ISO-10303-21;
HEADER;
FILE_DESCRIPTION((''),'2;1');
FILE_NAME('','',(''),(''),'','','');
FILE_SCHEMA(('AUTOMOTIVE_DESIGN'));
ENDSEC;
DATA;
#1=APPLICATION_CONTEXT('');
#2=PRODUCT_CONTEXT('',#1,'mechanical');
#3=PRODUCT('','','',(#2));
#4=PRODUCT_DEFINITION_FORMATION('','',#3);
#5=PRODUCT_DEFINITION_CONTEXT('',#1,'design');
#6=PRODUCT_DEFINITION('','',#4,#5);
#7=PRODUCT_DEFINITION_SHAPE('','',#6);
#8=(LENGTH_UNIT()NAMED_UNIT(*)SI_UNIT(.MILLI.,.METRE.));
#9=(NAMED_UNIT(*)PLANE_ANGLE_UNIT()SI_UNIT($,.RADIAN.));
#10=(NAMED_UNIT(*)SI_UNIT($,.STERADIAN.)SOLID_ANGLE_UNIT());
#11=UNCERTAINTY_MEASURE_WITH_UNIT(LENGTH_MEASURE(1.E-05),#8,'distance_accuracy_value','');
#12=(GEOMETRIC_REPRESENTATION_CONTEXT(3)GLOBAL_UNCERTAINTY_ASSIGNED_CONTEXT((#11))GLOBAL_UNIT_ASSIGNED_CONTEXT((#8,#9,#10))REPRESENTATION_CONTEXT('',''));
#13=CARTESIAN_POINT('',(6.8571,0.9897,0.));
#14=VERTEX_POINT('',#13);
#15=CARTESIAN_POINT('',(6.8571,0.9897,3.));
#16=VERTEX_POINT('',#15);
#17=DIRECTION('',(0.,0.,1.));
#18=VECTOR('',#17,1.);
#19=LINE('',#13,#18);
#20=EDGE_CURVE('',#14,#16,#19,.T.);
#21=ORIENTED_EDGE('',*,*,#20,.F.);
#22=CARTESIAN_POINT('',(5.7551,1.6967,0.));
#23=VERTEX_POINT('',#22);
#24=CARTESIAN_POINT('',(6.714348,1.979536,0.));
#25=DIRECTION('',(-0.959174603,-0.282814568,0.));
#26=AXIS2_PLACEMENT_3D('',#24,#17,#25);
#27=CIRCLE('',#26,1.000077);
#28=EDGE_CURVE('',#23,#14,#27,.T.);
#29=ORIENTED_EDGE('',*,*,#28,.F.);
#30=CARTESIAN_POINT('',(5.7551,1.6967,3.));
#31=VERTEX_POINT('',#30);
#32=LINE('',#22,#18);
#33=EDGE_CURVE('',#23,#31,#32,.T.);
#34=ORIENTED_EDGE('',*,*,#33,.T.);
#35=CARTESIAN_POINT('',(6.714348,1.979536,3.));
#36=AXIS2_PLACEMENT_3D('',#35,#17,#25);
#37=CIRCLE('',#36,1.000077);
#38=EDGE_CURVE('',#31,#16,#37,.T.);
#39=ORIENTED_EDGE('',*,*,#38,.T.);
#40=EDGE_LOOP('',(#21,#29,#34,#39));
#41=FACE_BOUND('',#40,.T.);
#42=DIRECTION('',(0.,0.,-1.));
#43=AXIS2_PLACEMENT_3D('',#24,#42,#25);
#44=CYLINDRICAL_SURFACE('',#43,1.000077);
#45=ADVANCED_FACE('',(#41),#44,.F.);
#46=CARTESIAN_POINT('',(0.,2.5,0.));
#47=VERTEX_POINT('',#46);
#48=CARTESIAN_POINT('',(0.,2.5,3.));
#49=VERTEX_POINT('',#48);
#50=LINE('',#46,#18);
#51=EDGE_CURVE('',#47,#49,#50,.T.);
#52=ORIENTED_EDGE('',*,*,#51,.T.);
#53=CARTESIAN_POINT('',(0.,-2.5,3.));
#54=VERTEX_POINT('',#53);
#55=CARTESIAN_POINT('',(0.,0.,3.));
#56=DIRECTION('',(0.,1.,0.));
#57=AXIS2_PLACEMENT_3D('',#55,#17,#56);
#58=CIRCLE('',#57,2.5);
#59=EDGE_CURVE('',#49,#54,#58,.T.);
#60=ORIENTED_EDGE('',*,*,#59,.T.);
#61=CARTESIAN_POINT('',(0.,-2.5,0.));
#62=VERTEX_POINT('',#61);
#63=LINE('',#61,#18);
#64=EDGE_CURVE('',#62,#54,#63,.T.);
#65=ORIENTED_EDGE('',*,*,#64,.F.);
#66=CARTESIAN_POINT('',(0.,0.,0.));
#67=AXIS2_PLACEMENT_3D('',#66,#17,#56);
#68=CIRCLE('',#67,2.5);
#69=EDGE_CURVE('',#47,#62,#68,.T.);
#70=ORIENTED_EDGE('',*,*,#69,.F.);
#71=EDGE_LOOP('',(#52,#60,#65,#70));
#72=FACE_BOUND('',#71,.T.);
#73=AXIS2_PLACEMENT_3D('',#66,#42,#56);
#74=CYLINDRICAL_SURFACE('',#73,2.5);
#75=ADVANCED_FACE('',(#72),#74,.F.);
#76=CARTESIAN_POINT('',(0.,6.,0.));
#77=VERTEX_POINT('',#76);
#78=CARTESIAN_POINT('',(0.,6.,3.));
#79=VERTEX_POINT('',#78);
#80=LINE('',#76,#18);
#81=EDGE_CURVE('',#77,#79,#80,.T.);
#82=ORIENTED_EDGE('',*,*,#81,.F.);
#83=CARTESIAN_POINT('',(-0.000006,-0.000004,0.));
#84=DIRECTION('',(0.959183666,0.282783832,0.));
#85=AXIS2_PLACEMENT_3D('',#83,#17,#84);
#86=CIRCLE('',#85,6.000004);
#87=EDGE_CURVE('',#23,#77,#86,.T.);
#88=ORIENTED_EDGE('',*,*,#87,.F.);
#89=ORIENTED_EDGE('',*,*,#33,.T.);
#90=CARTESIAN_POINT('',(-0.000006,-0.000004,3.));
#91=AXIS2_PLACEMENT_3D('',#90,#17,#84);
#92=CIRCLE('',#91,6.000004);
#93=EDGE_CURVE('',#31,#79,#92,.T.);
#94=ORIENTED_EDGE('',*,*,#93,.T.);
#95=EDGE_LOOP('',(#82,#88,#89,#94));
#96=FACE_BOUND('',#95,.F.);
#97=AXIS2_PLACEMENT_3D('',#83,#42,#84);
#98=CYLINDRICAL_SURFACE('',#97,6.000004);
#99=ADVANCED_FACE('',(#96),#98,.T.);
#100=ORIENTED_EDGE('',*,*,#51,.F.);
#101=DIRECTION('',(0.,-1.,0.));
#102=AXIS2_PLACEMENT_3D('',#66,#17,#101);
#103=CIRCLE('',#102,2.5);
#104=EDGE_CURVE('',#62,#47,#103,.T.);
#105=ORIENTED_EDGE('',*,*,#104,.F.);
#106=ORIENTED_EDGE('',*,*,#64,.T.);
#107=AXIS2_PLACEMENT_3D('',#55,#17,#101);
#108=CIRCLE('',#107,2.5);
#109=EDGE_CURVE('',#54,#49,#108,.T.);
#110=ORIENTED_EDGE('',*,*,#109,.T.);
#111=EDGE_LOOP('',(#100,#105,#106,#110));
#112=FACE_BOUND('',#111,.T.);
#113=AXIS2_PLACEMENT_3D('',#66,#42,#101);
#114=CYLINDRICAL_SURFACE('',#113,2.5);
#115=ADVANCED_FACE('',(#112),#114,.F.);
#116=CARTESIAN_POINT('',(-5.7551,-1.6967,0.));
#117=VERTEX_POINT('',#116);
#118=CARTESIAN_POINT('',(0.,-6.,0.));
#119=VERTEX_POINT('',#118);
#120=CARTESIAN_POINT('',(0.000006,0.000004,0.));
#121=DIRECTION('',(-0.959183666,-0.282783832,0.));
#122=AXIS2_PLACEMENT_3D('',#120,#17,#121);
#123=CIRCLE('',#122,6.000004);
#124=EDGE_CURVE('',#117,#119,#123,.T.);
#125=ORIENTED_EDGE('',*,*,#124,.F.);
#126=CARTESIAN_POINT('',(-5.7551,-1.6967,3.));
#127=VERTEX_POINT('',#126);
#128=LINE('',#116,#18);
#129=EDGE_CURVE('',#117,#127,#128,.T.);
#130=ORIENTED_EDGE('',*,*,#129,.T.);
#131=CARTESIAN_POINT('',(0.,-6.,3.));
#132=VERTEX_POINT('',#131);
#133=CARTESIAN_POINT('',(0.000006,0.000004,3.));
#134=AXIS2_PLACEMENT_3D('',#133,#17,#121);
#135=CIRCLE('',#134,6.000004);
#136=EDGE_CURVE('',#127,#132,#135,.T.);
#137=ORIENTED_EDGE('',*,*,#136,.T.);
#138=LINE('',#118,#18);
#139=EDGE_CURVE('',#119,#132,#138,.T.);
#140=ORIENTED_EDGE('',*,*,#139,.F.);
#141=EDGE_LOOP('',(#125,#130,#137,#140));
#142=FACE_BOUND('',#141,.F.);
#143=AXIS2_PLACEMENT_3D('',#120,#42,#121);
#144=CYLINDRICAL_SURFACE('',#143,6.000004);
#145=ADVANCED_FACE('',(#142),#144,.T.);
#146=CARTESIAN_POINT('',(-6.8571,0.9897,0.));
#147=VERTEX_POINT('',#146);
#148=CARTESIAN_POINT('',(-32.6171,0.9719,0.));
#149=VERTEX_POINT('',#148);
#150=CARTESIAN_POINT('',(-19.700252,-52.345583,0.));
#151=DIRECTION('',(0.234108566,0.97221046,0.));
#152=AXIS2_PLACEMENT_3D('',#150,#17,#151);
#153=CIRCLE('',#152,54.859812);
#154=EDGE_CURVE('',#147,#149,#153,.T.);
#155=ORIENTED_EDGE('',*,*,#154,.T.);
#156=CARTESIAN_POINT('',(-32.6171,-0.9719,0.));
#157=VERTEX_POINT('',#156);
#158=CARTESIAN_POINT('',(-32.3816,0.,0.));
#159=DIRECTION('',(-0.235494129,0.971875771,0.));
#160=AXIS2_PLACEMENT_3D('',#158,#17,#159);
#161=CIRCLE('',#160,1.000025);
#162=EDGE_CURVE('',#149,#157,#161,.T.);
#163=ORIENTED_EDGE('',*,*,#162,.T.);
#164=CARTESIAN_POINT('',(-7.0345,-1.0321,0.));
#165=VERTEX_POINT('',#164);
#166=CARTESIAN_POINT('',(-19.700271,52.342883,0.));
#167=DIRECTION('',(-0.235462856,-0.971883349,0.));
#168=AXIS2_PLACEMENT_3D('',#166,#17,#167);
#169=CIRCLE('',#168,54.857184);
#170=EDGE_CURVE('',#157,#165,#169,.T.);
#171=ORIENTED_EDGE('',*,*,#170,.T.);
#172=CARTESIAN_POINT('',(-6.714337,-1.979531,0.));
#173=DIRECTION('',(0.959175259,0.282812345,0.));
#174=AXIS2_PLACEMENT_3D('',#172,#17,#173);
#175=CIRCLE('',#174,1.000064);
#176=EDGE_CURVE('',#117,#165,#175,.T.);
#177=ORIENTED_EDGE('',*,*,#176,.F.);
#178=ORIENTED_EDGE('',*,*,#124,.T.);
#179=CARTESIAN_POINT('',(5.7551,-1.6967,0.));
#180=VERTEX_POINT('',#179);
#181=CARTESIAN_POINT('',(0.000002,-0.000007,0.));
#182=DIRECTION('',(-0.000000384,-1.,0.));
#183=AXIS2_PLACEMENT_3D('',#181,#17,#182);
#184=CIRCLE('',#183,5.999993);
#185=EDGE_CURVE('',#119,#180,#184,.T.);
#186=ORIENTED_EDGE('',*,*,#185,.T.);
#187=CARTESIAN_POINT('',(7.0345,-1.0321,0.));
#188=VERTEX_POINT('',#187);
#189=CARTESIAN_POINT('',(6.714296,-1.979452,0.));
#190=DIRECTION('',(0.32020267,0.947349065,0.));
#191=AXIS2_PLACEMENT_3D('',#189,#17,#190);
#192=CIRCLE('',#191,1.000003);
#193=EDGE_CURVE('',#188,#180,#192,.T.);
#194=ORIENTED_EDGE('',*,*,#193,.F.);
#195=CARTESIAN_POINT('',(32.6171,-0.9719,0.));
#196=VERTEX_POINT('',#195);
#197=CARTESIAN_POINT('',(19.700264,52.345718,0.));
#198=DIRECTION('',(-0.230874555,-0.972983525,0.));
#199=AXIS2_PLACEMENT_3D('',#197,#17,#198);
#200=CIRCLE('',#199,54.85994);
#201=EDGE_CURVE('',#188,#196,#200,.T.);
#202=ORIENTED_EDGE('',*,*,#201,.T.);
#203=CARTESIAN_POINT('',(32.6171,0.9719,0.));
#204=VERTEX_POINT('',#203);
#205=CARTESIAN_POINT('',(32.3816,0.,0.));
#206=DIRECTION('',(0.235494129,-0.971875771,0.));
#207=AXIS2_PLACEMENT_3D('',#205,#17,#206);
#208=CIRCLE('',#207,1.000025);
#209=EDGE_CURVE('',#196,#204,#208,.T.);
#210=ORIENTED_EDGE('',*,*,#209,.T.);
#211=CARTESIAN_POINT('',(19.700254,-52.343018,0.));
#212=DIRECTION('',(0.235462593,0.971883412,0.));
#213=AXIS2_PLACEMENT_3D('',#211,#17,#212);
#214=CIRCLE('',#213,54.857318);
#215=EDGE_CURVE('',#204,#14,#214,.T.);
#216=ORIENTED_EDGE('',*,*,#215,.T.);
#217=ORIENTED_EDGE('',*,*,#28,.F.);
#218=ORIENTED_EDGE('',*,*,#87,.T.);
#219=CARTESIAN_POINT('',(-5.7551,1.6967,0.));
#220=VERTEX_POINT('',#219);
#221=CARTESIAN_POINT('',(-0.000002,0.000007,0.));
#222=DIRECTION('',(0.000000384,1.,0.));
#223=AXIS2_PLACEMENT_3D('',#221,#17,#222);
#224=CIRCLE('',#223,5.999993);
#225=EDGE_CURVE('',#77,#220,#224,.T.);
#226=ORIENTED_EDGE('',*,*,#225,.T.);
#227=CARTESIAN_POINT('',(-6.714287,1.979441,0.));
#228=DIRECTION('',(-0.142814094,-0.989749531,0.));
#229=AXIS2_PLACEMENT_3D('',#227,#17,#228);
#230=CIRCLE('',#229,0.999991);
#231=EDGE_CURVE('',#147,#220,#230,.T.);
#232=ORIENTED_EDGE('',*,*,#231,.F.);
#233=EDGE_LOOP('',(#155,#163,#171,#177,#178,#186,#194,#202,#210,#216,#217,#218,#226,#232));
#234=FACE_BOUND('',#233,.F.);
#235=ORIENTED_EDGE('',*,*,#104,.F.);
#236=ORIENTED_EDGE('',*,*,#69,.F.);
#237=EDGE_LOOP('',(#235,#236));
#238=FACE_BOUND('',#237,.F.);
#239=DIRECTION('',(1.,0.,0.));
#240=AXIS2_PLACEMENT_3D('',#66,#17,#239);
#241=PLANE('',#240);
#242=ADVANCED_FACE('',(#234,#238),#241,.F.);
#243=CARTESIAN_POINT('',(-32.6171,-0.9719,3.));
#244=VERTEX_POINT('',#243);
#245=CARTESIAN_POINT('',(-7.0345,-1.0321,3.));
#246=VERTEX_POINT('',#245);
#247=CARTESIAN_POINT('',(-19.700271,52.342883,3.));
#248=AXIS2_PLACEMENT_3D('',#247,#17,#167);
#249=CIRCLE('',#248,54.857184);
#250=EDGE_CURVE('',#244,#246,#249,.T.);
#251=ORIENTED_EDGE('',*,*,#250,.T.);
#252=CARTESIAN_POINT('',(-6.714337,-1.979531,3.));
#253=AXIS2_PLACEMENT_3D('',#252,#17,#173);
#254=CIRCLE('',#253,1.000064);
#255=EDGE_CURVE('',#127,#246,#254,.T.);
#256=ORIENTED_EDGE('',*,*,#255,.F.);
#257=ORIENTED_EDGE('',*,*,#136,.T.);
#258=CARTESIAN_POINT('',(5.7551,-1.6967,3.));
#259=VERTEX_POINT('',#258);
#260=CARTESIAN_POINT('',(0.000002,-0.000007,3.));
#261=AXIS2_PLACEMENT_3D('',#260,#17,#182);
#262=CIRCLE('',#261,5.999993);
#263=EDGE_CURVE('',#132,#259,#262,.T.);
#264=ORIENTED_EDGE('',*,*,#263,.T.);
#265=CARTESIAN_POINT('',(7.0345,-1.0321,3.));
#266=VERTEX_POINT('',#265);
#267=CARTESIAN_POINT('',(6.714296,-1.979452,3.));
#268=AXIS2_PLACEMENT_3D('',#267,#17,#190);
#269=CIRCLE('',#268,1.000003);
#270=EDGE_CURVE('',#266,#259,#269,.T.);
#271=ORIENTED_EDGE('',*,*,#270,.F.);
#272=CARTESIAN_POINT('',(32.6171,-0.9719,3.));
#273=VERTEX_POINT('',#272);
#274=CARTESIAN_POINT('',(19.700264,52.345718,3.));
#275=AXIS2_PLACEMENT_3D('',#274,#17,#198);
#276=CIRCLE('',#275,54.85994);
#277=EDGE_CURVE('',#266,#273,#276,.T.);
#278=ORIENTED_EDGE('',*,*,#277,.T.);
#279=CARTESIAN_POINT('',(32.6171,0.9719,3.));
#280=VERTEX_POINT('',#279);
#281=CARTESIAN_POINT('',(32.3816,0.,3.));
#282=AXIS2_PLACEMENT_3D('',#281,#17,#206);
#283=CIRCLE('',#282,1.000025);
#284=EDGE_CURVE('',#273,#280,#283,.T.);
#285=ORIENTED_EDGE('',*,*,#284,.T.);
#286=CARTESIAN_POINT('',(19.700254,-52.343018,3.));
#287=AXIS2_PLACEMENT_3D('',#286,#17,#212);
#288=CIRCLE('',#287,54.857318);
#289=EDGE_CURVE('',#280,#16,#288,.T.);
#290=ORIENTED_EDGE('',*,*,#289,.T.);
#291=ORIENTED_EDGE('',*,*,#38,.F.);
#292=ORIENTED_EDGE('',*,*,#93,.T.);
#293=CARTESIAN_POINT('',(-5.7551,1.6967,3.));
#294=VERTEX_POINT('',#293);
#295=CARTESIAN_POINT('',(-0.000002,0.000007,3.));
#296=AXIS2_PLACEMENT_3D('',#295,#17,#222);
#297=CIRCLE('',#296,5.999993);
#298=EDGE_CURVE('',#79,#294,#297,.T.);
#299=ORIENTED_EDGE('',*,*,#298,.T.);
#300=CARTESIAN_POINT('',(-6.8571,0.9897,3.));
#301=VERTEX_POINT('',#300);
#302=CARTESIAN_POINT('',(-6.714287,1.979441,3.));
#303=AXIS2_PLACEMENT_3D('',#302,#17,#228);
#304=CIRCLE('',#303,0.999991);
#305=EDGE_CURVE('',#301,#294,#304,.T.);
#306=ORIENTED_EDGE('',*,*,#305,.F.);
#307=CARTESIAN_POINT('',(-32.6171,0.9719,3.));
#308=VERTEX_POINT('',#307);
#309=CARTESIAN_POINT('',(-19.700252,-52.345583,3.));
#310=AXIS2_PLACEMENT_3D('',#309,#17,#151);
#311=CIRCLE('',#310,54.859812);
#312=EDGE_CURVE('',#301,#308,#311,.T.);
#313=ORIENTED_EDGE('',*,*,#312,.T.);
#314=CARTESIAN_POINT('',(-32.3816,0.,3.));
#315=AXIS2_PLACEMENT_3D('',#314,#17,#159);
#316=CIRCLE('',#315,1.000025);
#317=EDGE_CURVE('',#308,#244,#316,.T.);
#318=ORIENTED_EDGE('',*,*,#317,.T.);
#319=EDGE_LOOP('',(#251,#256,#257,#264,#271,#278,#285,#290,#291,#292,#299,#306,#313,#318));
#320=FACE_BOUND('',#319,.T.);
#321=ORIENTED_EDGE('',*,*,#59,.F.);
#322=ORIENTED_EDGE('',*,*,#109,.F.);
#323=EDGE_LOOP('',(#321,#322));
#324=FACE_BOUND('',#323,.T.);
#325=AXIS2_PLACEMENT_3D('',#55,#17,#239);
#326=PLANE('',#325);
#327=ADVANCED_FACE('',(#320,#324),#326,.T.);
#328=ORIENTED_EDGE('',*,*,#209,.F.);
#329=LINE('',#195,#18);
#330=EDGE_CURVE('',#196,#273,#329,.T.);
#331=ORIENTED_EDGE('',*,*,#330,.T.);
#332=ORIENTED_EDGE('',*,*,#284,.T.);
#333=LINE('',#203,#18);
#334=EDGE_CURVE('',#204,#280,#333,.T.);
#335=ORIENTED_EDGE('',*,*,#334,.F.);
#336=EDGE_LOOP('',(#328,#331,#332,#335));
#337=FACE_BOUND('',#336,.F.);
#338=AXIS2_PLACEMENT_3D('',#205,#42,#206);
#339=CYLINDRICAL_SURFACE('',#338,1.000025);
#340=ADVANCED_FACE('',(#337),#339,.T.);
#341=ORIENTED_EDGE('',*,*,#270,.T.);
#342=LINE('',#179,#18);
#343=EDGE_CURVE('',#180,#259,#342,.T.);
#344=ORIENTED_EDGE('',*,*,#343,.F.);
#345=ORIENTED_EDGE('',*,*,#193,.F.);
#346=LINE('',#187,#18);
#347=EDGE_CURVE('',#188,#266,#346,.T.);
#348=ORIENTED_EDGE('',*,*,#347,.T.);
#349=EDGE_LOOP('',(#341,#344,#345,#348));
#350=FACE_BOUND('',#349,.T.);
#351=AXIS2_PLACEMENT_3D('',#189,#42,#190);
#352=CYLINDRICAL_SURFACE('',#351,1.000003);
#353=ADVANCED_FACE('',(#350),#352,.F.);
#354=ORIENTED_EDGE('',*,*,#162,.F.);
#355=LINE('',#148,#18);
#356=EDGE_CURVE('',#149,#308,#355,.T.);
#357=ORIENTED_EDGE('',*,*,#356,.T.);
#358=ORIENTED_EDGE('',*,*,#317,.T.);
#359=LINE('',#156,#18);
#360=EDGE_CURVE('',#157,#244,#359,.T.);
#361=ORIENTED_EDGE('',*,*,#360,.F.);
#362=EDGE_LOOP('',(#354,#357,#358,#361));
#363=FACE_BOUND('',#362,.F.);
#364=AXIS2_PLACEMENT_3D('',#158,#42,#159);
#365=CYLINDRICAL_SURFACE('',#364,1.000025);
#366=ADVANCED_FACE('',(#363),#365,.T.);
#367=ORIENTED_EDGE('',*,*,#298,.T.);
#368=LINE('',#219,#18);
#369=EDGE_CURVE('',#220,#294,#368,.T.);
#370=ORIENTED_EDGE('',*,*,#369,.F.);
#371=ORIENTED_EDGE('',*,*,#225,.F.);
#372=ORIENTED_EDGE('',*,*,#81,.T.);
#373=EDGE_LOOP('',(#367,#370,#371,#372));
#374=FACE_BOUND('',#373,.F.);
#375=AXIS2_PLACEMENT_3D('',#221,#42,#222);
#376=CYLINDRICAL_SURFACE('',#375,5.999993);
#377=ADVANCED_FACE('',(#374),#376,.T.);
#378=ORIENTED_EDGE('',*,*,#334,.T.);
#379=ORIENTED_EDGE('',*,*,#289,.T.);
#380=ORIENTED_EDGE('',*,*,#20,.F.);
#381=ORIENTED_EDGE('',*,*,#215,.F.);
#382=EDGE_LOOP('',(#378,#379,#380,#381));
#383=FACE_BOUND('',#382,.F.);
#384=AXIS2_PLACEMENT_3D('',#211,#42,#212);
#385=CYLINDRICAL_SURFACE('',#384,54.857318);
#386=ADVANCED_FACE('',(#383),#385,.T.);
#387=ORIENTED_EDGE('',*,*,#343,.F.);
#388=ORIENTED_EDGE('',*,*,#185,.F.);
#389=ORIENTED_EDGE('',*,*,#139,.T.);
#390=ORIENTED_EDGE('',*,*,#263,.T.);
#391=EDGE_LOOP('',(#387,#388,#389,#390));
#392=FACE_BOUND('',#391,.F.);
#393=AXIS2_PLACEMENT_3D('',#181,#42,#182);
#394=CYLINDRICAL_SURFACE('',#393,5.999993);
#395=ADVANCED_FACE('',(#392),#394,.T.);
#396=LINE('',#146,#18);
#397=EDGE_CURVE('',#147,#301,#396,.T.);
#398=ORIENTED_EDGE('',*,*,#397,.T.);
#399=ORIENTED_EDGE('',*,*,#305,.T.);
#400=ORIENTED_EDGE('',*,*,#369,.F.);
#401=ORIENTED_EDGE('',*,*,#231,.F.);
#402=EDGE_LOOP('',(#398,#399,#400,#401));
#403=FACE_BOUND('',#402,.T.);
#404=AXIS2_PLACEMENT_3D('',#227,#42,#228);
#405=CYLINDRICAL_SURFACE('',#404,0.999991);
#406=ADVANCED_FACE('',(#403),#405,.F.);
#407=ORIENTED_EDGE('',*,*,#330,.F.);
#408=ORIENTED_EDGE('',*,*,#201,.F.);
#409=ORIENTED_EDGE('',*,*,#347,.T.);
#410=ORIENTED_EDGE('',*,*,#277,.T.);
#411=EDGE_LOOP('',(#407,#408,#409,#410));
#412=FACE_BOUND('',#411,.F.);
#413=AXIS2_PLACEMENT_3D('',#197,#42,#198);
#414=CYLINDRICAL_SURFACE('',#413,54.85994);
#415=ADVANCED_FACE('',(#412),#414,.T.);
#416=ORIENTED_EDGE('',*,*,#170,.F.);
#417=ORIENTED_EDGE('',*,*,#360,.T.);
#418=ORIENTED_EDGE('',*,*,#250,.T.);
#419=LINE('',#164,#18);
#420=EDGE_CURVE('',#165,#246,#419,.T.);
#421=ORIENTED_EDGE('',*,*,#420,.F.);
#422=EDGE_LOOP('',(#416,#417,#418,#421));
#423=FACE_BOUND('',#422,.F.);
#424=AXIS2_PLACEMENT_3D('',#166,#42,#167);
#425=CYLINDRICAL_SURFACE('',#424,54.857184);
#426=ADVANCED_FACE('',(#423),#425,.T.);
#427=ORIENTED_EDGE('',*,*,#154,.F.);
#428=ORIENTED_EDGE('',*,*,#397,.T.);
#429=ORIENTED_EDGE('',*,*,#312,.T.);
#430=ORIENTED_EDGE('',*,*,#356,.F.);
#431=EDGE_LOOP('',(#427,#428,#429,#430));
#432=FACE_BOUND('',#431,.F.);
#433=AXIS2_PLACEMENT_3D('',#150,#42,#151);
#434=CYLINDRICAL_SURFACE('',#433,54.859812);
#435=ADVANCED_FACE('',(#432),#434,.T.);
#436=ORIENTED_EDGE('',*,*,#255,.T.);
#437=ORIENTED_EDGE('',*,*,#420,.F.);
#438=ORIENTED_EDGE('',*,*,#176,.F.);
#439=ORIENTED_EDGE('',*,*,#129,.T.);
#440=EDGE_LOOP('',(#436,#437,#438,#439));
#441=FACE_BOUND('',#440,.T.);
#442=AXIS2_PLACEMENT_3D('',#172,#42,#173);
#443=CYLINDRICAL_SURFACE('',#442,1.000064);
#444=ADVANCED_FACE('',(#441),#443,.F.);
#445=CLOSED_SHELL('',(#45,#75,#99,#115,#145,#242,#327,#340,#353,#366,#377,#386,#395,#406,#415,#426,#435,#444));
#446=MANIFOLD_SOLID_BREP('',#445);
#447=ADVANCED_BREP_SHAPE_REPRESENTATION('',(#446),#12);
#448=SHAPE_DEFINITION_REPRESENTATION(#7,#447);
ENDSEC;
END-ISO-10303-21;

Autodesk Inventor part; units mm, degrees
ref_plane "YZ Plane" through (0, 0, 0) normal (1, 0, 0) x (0, 1, 0)
ref_plane "XZ Plane" through (0, 0, 0) normal (0, 1, 0) x (-1, 0, 0)
ref_plane "XY Plane" through (0, 0, 0) normal (0, 0, 1) x (1, 0, 0)
sketch "Esboço1" plane through (0, 0, 0) normal (0, 0, 1) x (1, 0, 0)
  arc A0 (-32.6171, 0.9719) -> (-32.6171, -0.9719) centre (-32.3816, 0) ccw
  line L0 (-6, 0) -> (-7, 0)
  arc A1 (-6.8571, 0.9897) -> (-5.7551, 1.6967) centre (-6.7143, 1.9795) ccw
  arc A2 (-5.7551, -1.6967) -> (-7.0345, -1.0321) centre (-6.7143, -1.9795) ccw
  arc A3 (-6.8571, 0.9897) -> (-32.6171, 0.9719) centre (-19.7001, -52.3443) ccw
  arc A4 (-32.6171, -0.9719) -> (-7.0345, -1.0321) centre (-19.7001, 52.3443) ccw
  arc A5 (0, 2.5) -> (0, -2.5) centre (0, 0) ccw
  arc A6 (32.6171, -0.9719) -> (32.6171, 0.9719) centre (32.3816, 0) ccw
  line L1 (6, 0) -> (7, 0)
  arc A7 (5.7551, 1.6967) -> (6.8571, 0.9897) centre (6.7143, 1.9795) ccw
  arc A8 (7.0345, -1.0321) -> (5.7551, -1.6967) centre (6.7143, -1.9795) ccw
  arc A9 (32.6171, 0.9719) -> (6.8571, 0.9897) centre (19.7001, -52.3443) ccw
  arc A10 (7.0345, -1.0321) -> (32.6171, -0.9719) centre (19.7001, 52.3443) ccw
  arc A11 (0, -2.5) -> (0, 2.5) centre (0, 0) ccw
  arc A12 (0, 6) -> (-5.7551, 1.6967) centre (0, 0) ccw
  arc A13 (-5.7551, -1.6967) -> (0, -6) centre (0, 0) ccw
  arc A14 (0, -6) -> (5.7551, -1.6967) centre (0, 0) ccw
  arc A15 (5.7551, 1.6967) -> (0, 6) centre (0, 0) ccw
  point P0 (-6.7143, 2.9795)
  point P1 (-6.7143, 0.9795)
  point P2 (-6.7143, -0.9795)
  point P3 (-6.7143, -2.9795)
  point P4 (6.7143, 2.9795)
  point P5 (6.7143, 0.9795)
  point P6 (6.7143, -0.9795)
  point P7 (6.7143, -2.9795)
extrude "Extrusão1" add sketch "Esboço1" along normal blind 3
properties part number "HELICE"
